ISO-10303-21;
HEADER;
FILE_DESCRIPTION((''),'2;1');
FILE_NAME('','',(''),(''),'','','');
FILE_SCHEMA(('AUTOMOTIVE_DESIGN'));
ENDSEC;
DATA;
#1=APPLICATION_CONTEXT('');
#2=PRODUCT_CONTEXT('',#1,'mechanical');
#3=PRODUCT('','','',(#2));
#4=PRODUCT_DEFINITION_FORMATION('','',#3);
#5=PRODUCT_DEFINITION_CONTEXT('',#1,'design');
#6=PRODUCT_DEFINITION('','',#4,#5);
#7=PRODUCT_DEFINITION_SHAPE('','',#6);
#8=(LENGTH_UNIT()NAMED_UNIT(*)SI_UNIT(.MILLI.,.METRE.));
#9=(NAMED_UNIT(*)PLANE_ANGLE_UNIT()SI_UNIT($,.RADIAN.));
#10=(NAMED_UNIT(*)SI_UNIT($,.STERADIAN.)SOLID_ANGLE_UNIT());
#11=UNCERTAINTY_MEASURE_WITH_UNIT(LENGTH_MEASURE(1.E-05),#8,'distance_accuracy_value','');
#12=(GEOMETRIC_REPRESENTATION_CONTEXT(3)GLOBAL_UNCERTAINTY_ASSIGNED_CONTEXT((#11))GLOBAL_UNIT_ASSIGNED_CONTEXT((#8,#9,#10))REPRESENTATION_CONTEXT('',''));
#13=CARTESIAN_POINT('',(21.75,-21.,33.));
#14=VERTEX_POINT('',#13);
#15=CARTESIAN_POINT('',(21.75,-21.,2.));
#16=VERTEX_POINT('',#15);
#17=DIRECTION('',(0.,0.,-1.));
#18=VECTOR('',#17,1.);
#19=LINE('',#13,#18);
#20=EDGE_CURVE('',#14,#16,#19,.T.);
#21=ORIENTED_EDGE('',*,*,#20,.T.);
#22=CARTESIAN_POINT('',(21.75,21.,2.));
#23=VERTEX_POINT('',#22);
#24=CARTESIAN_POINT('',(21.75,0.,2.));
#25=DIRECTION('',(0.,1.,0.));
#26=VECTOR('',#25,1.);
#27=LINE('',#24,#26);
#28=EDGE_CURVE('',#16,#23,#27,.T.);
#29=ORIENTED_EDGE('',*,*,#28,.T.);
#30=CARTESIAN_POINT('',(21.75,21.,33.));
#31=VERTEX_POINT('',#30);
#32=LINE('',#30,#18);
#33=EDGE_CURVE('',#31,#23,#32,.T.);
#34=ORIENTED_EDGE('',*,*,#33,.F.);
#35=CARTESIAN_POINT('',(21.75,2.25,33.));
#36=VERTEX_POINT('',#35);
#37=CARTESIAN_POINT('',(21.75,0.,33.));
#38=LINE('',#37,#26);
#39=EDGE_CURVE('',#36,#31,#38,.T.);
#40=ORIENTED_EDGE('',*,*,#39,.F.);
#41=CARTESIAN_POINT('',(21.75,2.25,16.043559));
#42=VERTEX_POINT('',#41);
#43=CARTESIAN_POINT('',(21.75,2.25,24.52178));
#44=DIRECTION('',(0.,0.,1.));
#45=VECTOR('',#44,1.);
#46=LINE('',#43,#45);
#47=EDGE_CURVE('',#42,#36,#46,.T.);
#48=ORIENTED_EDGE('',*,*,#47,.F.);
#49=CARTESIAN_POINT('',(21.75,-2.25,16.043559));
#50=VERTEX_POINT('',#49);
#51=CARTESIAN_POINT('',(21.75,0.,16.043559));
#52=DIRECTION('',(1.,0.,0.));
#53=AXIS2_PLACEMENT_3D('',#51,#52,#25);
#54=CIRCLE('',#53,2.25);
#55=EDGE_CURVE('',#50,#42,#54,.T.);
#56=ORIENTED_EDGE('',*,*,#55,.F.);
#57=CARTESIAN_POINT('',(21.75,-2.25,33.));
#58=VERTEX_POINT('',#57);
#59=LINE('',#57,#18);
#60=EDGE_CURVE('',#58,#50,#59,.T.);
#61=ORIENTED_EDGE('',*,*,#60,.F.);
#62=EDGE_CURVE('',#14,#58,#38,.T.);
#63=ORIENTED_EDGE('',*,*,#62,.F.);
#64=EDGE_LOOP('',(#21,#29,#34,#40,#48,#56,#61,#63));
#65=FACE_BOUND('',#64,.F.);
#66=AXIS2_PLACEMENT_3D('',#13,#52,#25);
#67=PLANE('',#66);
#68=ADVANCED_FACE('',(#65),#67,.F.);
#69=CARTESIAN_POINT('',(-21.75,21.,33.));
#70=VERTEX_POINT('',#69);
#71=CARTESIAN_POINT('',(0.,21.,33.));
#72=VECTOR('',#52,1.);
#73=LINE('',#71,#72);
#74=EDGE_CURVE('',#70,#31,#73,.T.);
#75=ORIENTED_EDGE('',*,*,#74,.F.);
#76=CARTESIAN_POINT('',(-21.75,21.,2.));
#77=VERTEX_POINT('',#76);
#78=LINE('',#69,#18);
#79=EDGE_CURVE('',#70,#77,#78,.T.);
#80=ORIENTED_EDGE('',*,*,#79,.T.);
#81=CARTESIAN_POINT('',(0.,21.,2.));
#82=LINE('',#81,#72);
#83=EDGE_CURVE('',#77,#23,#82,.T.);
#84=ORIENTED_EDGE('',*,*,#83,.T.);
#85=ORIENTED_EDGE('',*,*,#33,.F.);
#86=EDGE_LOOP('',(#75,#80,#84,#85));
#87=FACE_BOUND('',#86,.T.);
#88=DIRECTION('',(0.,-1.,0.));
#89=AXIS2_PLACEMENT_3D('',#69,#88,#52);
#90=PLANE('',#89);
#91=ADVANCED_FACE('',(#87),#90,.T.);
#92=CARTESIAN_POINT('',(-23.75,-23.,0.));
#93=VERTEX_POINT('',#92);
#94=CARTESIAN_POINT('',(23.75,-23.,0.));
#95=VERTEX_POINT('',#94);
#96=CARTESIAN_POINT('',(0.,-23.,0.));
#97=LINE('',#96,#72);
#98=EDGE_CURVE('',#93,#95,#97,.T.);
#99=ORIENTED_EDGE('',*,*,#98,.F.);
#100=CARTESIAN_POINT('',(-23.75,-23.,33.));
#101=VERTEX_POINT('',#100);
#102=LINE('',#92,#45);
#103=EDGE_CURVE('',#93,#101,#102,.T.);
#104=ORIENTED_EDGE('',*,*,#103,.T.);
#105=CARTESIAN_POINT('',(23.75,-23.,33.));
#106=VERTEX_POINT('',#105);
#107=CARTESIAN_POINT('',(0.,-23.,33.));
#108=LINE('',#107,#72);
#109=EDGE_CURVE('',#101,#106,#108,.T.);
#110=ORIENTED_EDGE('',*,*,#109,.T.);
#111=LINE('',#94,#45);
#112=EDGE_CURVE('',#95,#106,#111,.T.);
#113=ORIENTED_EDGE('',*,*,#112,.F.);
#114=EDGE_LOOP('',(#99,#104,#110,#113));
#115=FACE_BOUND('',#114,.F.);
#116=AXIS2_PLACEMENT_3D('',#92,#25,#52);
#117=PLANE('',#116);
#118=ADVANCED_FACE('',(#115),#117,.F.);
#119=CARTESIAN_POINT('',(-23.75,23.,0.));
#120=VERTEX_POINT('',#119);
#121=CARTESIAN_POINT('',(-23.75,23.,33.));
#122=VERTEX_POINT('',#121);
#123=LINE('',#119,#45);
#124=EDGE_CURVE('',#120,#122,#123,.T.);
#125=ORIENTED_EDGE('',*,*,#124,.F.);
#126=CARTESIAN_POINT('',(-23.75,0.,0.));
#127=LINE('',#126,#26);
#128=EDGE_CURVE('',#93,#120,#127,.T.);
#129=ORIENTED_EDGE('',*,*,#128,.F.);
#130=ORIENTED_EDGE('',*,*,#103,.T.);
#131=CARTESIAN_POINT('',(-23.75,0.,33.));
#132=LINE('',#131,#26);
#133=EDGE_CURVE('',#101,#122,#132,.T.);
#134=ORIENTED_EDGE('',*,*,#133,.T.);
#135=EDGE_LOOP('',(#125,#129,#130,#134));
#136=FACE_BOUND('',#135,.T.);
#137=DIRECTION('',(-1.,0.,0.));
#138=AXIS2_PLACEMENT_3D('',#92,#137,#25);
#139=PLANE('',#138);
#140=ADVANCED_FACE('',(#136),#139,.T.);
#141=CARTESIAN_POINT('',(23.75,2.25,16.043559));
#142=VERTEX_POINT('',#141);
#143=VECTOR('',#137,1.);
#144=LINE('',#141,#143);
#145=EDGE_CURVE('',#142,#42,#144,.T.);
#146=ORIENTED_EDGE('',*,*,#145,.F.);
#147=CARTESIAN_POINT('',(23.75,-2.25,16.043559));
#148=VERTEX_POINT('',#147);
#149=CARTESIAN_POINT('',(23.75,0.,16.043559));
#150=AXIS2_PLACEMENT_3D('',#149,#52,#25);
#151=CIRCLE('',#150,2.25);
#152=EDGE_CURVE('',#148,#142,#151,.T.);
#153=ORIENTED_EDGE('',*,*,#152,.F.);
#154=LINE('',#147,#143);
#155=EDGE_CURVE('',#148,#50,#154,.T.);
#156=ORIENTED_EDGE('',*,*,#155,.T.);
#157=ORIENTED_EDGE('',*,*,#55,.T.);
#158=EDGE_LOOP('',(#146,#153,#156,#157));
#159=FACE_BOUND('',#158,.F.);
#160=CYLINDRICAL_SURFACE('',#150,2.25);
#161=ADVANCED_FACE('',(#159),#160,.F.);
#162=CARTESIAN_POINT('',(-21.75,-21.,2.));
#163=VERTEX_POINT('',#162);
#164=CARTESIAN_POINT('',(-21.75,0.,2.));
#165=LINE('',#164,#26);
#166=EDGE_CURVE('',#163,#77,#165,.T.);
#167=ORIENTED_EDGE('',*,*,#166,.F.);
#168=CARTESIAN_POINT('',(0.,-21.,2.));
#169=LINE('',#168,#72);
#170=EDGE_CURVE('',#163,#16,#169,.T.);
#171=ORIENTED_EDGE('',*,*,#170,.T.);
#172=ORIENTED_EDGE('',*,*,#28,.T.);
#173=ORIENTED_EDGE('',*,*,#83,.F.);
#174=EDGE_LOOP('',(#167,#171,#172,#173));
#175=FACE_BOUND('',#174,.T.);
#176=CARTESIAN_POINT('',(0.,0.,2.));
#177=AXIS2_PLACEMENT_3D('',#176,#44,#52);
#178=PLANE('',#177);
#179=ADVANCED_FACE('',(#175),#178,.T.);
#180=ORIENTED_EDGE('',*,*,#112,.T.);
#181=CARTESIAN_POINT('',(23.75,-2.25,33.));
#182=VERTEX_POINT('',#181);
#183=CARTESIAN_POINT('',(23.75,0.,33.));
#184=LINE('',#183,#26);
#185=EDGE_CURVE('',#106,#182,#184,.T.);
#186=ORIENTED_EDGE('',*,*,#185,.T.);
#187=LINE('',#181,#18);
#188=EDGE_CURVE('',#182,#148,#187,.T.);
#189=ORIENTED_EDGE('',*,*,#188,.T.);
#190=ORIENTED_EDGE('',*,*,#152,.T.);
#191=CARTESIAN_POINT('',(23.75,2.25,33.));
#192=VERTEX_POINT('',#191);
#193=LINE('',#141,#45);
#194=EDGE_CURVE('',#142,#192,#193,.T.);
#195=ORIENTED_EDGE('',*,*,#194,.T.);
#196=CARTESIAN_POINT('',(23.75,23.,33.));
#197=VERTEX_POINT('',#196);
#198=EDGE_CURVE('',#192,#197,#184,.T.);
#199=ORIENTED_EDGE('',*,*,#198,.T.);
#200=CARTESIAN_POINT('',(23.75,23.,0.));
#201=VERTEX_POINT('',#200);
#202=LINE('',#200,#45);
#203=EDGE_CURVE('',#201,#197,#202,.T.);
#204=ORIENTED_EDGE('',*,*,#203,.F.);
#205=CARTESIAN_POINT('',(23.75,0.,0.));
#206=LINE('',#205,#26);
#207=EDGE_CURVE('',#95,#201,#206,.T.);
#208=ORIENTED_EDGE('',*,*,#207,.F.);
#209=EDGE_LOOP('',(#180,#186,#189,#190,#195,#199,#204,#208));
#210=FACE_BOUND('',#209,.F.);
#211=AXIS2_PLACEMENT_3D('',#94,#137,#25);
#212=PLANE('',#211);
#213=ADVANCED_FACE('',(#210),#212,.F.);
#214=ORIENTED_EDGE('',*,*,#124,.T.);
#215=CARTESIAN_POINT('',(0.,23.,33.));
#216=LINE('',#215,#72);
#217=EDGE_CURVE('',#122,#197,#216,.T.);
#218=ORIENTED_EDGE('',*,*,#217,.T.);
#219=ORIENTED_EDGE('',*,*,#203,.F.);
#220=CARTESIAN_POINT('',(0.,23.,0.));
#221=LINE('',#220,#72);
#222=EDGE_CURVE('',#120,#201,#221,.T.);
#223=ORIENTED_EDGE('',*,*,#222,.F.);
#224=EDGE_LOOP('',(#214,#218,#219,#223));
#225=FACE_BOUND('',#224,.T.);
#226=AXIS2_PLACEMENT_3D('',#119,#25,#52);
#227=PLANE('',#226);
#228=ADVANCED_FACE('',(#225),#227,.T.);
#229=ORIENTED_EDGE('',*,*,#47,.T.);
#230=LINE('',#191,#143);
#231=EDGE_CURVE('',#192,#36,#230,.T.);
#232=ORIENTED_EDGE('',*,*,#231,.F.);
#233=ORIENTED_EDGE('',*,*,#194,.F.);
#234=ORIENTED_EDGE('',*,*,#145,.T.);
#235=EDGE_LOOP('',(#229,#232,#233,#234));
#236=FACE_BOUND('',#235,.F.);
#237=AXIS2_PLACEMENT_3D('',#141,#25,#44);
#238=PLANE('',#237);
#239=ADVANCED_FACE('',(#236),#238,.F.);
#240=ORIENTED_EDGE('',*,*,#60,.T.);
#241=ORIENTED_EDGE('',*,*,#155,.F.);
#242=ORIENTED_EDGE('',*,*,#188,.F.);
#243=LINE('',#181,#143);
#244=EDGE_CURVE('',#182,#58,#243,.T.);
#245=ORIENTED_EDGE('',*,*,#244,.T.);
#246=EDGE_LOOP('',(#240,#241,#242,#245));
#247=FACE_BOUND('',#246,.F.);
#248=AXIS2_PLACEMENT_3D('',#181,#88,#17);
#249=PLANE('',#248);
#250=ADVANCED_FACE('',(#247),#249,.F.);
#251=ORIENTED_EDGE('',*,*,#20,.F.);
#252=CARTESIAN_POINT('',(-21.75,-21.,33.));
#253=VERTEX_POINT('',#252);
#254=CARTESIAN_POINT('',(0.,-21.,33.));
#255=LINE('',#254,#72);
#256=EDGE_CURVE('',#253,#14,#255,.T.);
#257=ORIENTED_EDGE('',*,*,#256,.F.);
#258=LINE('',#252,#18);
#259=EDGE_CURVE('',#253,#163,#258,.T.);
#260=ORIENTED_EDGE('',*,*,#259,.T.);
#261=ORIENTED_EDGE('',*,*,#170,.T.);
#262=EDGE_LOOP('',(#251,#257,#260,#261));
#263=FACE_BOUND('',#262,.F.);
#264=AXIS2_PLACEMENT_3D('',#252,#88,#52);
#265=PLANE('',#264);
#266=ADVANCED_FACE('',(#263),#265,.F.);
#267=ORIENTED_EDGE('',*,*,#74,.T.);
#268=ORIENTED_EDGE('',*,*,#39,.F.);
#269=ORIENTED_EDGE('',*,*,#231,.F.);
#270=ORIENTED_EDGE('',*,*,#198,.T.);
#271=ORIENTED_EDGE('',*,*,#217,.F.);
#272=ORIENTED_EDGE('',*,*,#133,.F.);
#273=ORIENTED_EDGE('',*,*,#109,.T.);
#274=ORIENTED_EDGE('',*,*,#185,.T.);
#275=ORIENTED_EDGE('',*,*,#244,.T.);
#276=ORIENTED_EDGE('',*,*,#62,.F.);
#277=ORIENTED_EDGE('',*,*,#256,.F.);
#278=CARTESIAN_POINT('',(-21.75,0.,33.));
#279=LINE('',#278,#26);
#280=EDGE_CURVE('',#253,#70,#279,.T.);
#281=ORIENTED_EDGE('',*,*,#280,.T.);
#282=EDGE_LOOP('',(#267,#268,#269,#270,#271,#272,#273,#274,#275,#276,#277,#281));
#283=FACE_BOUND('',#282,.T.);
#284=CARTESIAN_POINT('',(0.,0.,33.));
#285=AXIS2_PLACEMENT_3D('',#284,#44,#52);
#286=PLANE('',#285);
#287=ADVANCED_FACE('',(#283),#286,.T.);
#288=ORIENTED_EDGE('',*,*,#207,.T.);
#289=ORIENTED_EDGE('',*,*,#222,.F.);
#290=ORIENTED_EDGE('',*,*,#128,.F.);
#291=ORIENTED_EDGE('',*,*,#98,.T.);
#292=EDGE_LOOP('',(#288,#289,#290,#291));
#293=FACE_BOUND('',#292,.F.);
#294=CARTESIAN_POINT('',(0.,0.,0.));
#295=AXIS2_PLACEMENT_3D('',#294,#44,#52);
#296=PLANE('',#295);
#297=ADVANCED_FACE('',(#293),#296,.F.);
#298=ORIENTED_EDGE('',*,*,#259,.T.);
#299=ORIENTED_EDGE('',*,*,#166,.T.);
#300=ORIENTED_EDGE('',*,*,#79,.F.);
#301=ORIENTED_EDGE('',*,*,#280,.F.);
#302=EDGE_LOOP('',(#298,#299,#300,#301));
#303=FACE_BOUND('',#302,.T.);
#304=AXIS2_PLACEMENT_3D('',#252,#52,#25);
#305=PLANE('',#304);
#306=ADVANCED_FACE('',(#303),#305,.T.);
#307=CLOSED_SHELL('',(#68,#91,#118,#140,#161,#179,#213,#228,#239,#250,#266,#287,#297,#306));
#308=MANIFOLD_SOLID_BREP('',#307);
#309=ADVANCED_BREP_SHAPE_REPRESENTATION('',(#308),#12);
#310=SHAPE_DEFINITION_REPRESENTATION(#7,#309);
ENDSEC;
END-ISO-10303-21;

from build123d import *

# Parameters (mm, degrees)
F0_W     = 47.5
F0_H     = 46
F1_DEPTH = 33
F2_W     = 43.5
F2_H     = 42
F3_DEPTH = 31
F5_DEPTH = 5


with BuildPart() as f1:
    # F0 (on Top) → F1 (new body)
    with BuildSketch(Plane.XY):
        Rectangle(F0_W, F0_H)
    extrude(amount=F1_DEPTH)

    # F2 (on face) → F3 (cut)
    with BuildSketch(Plane.XY.offset(33)):
        Rectangle(F2_W, F2_H)
    extrude(amount=-F3_DEPTH, mode=Mode.SUBTRACT)

    # F4 (on face) → F5 (cut)
    with BuildSketch(Plane.YZ.offset(23.75)):
        with BuildLine():
            ThreePointArc((-2.25, 16.043559), (0, 18.293559), (2.25, 16.043559))
            Line((2.25, 16.043559), (2.25, 33))
            Line((2.25, 33), (-2.25, 33))
            Line((-2.25, 33), (-2.25, 16.043559))
        make_face()
        with BuildLine():
            ThreePointArc((-2.25, 16.043559), (0, 13.793559), (2.25, 16.043559))
            ThreePointArc((2.25, 16.043559), (0, 18.293559), (-2.25, 16.043559))
        make_face()
    extrude(amount=-F5_DEPTH, mode=Mode.SUBTRACT)


solid = f1.part
